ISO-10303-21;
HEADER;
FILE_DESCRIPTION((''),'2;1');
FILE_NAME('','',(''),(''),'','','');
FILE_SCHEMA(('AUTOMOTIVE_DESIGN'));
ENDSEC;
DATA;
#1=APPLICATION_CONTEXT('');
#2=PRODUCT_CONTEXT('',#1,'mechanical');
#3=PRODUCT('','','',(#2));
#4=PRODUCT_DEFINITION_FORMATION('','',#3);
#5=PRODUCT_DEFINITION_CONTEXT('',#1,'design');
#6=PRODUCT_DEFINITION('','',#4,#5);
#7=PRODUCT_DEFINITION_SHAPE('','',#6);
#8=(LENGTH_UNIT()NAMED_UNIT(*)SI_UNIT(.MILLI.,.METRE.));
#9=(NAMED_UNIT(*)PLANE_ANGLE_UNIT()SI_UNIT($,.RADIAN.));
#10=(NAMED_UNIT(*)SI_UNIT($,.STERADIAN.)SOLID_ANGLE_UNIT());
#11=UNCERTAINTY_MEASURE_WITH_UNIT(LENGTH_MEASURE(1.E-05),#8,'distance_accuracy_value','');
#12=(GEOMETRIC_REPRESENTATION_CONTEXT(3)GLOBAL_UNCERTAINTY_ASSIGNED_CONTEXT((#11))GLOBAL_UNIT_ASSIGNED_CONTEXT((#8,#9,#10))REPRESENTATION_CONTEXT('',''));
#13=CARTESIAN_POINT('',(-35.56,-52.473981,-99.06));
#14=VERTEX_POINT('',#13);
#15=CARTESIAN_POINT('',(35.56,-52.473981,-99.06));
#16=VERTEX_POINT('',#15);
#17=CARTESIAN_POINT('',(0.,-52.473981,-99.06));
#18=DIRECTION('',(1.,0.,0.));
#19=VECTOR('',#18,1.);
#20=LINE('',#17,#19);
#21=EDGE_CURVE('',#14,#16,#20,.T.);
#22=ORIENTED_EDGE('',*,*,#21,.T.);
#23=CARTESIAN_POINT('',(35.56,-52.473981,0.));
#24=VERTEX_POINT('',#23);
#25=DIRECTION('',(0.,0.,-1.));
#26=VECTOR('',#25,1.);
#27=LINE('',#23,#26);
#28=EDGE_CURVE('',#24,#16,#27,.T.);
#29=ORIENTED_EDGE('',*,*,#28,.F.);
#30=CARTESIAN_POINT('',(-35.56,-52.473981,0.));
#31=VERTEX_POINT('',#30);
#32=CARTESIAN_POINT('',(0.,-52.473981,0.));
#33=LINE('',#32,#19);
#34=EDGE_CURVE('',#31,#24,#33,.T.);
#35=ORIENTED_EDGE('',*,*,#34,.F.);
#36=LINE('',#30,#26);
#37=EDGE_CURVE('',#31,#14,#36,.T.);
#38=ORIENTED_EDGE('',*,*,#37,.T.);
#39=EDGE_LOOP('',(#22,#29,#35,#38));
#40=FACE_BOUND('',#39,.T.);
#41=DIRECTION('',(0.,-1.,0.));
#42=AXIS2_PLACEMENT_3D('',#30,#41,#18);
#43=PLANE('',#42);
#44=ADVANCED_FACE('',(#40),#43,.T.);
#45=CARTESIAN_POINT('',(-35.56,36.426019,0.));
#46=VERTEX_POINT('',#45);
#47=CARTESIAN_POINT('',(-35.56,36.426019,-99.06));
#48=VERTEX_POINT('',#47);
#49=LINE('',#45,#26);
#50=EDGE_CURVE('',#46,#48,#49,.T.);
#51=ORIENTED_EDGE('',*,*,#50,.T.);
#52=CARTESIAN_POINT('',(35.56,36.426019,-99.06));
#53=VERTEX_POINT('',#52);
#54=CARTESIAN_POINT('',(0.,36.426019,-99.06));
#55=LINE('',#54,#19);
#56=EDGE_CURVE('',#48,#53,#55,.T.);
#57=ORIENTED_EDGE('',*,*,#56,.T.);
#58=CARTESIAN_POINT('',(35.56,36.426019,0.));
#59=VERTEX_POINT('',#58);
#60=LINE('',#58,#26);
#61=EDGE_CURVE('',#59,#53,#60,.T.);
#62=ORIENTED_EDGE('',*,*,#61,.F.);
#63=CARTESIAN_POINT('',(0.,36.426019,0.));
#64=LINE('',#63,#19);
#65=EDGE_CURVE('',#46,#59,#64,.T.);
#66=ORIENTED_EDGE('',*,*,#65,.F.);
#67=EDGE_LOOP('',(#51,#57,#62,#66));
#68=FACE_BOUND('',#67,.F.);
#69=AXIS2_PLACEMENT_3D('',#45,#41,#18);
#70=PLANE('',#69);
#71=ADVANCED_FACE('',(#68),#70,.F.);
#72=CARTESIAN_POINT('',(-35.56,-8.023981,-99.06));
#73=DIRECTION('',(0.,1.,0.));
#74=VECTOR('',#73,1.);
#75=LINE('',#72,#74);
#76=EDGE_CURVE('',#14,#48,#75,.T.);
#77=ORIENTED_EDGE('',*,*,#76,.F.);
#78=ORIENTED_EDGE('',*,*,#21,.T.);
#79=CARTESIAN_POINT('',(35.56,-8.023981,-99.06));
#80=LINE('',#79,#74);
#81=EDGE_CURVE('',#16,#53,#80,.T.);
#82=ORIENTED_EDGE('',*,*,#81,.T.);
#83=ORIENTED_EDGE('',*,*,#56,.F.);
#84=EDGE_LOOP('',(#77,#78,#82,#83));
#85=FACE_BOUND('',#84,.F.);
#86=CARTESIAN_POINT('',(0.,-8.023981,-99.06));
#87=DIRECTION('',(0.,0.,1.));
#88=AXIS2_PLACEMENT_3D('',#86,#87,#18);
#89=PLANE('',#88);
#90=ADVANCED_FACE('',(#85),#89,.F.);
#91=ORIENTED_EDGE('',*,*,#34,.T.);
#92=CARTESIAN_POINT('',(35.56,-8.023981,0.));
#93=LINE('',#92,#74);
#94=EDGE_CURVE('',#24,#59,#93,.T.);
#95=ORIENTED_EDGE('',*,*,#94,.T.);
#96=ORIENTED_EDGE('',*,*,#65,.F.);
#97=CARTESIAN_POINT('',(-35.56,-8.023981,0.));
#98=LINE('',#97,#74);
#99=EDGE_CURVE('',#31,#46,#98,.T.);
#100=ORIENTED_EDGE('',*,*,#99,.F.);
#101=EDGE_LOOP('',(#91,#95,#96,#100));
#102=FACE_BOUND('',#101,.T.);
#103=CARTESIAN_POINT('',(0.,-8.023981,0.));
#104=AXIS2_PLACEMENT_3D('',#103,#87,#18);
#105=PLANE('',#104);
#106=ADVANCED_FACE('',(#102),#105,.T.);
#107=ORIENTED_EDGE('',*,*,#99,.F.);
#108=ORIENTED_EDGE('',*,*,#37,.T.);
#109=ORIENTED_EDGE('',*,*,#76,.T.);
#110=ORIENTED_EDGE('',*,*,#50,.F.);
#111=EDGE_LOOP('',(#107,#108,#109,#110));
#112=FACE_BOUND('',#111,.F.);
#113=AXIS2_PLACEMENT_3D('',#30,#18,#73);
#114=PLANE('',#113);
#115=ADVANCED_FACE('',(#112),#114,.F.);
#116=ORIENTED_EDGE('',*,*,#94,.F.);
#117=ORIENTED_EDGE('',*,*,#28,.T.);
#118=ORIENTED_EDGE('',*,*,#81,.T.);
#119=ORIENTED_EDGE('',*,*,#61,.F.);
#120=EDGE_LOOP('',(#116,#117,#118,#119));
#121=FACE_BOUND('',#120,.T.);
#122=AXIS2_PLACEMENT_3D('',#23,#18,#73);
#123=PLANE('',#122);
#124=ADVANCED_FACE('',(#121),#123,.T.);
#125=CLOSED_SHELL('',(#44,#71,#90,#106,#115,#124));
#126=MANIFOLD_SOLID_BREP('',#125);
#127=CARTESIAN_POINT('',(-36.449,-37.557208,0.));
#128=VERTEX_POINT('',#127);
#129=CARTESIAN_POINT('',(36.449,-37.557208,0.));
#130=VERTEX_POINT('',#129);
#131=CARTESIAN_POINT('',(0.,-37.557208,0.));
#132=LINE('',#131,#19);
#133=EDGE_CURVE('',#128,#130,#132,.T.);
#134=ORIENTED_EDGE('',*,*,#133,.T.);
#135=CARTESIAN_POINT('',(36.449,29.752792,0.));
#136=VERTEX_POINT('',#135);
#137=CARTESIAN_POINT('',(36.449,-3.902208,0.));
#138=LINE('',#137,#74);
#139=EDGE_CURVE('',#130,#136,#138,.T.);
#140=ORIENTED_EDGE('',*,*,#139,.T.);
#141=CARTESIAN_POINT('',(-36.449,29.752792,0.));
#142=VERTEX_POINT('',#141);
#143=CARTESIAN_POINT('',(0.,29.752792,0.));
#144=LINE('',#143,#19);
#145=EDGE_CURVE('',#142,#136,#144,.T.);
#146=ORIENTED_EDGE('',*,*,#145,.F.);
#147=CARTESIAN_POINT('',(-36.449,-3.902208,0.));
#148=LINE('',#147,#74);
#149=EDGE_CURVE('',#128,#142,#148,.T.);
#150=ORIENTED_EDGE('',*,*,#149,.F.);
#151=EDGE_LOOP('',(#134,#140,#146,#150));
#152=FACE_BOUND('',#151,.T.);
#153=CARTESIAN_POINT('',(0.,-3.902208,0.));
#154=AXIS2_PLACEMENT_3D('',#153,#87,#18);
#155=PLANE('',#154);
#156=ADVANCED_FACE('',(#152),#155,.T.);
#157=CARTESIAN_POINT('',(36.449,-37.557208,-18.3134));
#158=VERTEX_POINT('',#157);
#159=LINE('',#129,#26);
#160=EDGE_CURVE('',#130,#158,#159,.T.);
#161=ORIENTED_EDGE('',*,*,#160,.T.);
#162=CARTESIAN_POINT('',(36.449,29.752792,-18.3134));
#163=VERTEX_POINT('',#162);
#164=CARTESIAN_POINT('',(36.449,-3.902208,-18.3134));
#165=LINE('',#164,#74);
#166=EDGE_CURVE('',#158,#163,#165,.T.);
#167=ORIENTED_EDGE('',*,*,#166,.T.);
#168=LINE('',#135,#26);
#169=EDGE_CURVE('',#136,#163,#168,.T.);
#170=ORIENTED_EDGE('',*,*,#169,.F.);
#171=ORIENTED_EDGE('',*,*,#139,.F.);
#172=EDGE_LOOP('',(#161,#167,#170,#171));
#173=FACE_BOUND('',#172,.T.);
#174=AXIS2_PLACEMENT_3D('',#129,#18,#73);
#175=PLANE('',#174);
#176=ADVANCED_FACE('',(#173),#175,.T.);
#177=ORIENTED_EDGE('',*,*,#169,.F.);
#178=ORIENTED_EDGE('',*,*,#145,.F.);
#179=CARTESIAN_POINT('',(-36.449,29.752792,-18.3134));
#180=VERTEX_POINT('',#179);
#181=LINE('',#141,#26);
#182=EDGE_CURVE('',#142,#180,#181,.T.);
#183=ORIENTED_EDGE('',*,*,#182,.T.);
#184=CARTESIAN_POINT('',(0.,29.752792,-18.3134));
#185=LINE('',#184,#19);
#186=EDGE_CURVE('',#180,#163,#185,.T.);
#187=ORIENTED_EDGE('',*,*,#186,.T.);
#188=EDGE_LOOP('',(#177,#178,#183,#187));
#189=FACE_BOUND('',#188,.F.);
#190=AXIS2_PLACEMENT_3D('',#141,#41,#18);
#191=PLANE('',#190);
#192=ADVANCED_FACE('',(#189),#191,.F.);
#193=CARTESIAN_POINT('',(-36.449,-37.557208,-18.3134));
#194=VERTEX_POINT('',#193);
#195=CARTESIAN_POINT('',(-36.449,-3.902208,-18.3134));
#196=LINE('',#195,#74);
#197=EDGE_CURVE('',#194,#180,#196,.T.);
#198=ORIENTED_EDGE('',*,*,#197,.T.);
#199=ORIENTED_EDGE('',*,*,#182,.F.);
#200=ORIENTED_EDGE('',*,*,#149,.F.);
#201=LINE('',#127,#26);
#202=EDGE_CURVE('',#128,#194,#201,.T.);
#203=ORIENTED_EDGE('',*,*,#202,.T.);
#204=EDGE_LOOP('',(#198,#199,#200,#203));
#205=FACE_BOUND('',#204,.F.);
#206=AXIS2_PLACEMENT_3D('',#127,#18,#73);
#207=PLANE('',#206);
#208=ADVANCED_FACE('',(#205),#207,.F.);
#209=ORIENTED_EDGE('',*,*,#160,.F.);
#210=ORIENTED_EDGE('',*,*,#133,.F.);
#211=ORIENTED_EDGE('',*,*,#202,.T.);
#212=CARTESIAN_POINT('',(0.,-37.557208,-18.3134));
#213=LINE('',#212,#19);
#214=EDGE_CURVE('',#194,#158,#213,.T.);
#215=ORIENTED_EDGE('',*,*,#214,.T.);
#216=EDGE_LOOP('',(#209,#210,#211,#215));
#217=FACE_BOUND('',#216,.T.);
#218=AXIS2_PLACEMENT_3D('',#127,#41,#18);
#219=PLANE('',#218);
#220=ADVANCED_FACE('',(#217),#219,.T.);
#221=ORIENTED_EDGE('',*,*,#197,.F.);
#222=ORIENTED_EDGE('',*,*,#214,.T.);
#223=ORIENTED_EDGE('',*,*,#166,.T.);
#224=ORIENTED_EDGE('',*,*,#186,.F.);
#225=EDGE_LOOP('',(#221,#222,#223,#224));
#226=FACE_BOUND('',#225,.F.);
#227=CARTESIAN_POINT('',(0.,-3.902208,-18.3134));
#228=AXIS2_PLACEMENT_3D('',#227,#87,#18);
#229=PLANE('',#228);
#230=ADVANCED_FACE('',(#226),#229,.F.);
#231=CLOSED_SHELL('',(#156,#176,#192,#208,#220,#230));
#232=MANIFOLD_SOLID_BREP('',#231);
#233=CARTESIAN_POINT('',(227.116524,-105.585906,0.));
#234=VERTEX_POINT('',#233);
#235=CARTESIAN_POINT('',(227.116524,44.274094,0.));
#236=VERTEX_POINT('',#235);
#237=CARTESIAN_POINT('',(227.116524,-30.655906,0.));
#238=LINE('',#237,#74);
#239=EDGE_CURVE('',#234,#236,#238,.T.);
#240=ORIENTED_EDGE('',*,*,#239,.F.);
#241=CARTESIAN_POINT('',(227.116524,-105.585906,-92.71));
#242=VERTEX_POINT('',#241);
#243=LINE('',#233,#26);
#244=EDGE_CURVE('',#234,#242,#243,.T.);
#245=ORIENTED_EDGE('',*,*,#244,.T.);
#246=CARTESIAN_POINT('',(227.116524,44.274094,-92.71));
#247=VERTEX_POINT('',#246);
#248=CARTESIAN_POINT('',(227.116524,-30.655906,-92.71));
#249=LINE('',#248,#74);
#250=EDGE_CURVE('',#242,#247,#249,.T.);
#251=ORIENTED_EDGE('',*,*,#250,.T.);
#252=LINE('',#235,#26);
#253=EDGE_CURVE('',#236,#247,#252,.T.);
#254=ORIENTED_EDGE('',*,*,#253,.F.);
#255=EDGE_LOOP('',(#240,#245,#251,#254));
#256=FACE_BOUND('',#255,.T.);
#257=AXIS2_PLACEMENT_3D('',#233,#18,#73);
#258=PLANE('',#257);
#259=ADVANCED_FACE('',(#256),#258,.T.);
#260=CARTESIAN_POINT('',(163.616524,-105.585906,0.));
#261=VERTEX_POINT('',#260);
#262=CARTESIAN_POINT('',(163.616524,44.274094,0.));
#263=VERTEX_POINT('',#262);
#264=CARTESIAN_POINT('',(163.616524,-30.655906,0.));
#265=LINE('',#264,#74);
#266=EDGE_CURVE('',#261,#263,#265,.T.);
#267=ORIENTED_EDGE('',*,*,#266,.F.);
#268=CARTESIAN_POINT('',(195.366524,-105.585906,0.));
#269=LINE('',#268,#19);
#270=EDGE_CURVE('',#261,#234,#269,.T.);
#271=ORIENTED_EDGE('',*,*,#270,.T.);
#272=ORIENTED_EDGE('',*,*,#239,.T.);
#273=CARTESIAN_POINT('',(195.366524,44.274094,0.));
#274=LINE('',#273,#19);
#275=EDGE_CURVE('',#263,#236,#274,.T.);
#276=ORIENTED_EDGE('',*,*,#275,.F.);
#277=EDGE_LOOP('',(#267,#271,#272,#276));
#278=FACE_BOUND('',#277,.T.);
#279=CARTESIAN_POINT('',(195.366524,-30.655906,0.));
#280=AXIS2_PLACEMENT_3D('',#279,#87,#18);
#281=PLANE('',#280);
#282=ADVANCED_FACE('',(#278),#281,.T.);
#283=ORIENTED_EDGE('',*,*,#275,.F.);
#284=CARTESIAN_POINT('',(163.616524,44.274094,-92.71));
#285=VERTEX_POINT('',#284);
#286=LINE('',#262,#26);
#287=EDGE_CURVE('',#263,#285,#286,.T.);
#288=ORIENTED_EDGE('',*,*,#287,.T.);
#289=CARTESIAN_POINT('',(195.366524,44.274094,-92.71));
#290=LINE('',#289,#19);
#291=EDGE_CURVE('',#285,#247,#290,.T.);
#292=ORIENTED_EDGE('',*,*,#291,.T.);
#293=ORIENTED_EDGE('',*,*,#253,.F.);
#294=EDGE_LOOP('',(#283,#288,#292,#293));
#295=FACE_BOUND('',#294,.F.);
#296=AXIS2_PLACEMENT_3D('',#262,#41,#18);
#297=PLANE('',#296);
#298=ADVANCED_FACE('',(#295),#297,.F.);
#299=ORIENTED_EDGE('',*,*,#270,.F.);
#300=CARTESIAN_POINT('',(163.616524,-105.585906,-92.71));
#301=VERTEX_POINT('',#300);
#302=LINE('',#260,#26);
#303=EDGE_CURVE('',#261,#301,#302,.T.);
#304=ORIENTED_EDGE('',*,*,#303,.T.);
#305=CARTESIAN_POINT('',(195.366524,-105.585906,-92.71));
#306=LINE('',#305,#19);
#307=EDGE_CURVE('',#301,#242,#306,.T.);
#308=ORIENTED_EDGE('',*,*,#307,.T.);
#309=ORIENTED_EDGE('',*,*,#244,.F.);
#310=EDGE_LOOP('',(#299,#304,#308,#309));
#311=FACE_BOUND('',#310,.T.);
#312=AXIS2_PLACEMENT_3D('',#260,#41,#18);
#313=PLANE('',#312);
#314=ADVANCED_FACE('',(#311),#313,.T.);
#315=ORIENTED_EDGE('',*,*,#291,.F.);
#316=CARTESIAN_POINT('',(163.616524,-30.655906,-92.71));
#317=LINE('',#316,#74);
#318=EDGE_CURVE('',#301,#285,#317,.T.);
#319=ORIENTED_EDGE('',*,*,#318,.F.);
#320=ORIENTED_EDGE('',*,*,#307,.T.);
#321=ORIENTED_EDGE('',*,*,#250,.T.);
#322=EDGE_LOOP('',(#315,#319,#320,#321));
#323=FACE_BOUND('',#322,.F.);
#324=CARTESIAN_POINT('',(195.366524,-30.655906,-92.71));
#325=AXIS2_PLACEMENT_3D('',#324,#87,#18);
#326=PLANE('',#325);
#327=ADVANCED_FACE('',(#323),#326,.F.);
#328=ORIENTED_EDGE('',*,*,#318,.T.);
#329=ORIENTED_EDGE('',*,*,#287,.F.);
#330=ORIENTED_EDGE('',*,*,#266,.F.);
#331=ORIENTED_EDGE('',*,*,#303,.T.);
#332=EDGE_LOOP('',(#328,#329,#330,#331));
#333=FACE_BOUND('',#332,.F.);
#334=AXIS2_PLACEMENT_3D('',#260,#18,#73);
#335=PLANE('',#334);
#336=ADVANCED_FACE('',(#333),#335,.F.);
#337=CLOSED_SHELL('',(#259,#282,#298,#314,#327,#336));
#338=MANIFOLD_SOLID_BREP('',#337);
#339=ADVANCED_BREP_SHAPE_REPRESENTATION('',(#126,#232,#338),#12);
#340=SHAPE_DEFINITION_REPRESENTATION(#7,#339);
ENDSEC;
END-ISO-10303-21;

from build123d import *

# Parameters (mm, degrees)
F0_W     = 72.898
F0_H     = 67.31
F1_DEPTH = 18.3134
F2_W     = 71.12
F2_H     = 88.9
F3_DEPTH = 99.06
F4_W     = 63.5
F4_H     = 149.86
F5_DEPTH = 92.71


with BuildPart() as f1:
    # F0 (on Top) → F1 (new body)
    with BuildSketch(Plane.XY):
        with Locations((0, -3.902208)):
            Rectangle(F0_W, F0_H)
    extrude(amount=-F1_DEPTH)


with BuildPart() as f3:
    # F2 (on Top) → F3 (new body)
    with BuildSketch(Plane.XY):
        with Locations((0, -8.023981)):
            Rectangle(F2_W, F2_H)
    extrude(amount=-F3_DEPTH)


with BuildPart() as f5:
    # F4 (on Top) → F5 (new body)
    with BuildSketch(Plane.XY):
        with Locations((195.366524, -30.655906)):
            Rectangle(F4_W, F4_H)
    extrude(amount=-F5_DEPTH)


solid = Compound([f1.part, f3.part, f5.part])
